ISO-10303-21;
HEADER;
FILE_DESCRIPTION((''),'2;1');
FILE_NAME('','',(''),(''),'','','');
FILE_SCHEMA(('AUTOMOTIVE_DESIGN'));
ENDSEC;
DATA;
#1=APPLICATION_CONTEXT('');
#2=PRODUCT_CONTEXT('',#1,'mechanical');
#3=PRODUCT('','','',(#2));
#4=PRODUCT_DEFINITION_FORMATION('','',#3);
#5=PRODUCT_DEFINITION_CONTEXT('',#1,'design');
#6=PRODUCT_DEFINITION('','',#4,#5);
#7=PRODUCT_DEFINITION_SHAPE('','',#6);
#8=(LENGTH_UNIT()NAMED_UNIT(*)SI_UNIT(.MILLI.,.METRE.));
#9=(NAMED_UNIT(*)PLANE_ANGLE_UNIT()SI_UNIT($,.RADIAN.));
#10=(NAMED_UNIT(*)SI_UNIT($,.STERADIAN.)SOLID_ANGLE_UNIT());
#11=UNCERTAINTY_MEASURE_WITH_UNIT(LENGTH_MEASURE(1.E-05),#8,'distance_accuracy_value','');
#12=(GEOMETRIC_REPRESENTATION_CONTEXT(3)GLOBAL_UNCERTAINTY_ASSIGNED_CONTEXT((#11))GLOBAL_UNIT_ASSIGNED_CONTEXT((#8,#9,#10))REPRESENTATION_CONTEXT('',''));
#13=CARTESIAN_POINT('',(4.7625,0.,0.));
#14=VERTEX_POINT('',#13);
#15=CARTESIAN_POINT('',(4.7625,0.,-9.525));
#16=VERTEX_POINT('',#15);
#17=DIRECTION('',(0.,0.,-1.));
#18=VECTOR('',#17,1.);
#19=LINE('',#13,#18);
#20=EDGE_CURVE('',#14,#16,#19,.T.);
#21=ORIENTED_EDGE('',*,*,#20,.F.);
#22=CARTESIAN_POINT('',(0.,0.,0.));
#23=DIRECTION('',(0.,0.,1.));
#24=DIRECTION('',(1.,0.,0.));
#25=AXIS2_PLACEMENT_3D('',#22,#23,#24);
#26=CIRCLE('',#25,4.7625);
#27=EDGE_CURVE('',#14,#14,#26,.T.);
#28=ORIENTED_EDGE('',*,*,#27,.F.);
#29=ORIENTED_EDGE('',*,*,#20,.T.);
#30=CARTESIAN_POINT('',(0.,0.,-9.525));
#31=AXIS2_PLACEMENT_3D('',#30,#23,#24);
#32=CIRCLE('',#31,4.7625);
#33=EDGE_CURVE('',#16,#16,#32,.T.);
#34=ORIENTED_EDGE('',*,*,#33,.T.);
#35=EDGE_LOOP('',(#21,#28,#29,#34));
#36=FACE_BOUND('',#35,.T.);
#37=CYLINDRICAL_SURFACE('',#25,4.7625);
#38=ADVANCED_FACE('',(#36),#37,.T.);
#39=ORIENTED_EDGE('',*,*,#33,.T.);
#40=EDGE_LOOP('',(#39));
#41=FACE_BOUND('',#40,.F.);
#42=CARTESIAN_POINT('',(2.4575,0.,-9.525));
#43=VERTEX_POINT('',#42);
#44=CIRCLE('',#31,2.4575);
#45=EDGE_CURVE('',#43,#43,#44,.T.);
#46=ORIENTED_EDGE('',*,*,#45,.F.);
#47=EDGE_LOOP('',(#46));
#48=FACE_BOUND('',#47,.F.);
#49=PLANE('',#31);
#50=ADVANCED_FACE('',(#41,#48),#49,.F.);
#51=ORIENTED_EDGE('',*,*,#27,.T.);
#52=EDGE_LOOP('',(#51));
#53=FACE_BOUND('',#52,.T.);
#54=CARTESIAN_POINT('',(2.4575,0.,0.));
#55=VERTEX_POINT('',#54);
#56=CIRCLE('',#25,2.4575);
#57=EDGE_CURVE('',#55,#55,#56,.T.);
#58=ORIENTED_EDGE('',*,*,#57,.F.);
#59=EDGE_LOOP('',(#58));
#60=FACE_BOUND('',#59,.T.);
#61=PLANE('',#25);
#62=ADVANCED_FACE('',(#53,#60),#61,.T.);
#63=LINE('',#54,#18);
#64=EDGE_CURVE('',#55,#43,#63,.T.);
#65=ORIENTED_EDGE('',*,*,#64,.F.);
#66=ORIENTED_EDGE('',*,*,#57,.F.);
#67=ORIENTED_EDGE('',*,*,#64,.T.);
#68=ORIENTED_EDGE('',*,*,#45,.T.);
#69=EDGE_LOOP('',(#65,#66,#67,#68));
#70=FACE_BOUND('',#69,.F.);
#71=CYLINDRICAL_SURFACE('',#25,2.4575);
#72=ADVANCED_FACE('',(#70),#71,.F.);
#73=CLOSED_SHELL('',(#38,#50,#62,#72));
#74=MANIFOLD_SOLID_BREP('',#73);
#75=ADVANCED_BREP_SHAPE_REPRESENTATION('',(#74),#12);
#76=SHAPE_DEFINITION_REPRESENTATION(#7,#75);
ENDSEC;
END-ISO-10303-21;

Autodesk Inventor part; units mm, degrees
ref_plane "YZ Plane" through (0, 0, 0) normal (1, 0, 0) x (0, 1, 0)
ref_plane "XZ Plane" through (0, 0, 0) normal (0, 1, 0) x (-1, 0, 0)
ref_plane "XY Plane" through (0, 0, 0) normal (0, 0, 1) x (1, 0, 0)
sketch "Sketch1" plane through (0, 0, 0) normal (0, 0, 1) x (1, 0, 0)
  circle A0 centre (0, 0) radius 4.7625
  circle A1 centre (0, 0) radius 2.4575
  dimension "d0" = 9.525
  dimension "d1" = 4.9149
extrude "Extrusion1" add sketch "Sketch1" against normal blind 9.525
properties part number "Spacers BD gearbox back to ctr"
